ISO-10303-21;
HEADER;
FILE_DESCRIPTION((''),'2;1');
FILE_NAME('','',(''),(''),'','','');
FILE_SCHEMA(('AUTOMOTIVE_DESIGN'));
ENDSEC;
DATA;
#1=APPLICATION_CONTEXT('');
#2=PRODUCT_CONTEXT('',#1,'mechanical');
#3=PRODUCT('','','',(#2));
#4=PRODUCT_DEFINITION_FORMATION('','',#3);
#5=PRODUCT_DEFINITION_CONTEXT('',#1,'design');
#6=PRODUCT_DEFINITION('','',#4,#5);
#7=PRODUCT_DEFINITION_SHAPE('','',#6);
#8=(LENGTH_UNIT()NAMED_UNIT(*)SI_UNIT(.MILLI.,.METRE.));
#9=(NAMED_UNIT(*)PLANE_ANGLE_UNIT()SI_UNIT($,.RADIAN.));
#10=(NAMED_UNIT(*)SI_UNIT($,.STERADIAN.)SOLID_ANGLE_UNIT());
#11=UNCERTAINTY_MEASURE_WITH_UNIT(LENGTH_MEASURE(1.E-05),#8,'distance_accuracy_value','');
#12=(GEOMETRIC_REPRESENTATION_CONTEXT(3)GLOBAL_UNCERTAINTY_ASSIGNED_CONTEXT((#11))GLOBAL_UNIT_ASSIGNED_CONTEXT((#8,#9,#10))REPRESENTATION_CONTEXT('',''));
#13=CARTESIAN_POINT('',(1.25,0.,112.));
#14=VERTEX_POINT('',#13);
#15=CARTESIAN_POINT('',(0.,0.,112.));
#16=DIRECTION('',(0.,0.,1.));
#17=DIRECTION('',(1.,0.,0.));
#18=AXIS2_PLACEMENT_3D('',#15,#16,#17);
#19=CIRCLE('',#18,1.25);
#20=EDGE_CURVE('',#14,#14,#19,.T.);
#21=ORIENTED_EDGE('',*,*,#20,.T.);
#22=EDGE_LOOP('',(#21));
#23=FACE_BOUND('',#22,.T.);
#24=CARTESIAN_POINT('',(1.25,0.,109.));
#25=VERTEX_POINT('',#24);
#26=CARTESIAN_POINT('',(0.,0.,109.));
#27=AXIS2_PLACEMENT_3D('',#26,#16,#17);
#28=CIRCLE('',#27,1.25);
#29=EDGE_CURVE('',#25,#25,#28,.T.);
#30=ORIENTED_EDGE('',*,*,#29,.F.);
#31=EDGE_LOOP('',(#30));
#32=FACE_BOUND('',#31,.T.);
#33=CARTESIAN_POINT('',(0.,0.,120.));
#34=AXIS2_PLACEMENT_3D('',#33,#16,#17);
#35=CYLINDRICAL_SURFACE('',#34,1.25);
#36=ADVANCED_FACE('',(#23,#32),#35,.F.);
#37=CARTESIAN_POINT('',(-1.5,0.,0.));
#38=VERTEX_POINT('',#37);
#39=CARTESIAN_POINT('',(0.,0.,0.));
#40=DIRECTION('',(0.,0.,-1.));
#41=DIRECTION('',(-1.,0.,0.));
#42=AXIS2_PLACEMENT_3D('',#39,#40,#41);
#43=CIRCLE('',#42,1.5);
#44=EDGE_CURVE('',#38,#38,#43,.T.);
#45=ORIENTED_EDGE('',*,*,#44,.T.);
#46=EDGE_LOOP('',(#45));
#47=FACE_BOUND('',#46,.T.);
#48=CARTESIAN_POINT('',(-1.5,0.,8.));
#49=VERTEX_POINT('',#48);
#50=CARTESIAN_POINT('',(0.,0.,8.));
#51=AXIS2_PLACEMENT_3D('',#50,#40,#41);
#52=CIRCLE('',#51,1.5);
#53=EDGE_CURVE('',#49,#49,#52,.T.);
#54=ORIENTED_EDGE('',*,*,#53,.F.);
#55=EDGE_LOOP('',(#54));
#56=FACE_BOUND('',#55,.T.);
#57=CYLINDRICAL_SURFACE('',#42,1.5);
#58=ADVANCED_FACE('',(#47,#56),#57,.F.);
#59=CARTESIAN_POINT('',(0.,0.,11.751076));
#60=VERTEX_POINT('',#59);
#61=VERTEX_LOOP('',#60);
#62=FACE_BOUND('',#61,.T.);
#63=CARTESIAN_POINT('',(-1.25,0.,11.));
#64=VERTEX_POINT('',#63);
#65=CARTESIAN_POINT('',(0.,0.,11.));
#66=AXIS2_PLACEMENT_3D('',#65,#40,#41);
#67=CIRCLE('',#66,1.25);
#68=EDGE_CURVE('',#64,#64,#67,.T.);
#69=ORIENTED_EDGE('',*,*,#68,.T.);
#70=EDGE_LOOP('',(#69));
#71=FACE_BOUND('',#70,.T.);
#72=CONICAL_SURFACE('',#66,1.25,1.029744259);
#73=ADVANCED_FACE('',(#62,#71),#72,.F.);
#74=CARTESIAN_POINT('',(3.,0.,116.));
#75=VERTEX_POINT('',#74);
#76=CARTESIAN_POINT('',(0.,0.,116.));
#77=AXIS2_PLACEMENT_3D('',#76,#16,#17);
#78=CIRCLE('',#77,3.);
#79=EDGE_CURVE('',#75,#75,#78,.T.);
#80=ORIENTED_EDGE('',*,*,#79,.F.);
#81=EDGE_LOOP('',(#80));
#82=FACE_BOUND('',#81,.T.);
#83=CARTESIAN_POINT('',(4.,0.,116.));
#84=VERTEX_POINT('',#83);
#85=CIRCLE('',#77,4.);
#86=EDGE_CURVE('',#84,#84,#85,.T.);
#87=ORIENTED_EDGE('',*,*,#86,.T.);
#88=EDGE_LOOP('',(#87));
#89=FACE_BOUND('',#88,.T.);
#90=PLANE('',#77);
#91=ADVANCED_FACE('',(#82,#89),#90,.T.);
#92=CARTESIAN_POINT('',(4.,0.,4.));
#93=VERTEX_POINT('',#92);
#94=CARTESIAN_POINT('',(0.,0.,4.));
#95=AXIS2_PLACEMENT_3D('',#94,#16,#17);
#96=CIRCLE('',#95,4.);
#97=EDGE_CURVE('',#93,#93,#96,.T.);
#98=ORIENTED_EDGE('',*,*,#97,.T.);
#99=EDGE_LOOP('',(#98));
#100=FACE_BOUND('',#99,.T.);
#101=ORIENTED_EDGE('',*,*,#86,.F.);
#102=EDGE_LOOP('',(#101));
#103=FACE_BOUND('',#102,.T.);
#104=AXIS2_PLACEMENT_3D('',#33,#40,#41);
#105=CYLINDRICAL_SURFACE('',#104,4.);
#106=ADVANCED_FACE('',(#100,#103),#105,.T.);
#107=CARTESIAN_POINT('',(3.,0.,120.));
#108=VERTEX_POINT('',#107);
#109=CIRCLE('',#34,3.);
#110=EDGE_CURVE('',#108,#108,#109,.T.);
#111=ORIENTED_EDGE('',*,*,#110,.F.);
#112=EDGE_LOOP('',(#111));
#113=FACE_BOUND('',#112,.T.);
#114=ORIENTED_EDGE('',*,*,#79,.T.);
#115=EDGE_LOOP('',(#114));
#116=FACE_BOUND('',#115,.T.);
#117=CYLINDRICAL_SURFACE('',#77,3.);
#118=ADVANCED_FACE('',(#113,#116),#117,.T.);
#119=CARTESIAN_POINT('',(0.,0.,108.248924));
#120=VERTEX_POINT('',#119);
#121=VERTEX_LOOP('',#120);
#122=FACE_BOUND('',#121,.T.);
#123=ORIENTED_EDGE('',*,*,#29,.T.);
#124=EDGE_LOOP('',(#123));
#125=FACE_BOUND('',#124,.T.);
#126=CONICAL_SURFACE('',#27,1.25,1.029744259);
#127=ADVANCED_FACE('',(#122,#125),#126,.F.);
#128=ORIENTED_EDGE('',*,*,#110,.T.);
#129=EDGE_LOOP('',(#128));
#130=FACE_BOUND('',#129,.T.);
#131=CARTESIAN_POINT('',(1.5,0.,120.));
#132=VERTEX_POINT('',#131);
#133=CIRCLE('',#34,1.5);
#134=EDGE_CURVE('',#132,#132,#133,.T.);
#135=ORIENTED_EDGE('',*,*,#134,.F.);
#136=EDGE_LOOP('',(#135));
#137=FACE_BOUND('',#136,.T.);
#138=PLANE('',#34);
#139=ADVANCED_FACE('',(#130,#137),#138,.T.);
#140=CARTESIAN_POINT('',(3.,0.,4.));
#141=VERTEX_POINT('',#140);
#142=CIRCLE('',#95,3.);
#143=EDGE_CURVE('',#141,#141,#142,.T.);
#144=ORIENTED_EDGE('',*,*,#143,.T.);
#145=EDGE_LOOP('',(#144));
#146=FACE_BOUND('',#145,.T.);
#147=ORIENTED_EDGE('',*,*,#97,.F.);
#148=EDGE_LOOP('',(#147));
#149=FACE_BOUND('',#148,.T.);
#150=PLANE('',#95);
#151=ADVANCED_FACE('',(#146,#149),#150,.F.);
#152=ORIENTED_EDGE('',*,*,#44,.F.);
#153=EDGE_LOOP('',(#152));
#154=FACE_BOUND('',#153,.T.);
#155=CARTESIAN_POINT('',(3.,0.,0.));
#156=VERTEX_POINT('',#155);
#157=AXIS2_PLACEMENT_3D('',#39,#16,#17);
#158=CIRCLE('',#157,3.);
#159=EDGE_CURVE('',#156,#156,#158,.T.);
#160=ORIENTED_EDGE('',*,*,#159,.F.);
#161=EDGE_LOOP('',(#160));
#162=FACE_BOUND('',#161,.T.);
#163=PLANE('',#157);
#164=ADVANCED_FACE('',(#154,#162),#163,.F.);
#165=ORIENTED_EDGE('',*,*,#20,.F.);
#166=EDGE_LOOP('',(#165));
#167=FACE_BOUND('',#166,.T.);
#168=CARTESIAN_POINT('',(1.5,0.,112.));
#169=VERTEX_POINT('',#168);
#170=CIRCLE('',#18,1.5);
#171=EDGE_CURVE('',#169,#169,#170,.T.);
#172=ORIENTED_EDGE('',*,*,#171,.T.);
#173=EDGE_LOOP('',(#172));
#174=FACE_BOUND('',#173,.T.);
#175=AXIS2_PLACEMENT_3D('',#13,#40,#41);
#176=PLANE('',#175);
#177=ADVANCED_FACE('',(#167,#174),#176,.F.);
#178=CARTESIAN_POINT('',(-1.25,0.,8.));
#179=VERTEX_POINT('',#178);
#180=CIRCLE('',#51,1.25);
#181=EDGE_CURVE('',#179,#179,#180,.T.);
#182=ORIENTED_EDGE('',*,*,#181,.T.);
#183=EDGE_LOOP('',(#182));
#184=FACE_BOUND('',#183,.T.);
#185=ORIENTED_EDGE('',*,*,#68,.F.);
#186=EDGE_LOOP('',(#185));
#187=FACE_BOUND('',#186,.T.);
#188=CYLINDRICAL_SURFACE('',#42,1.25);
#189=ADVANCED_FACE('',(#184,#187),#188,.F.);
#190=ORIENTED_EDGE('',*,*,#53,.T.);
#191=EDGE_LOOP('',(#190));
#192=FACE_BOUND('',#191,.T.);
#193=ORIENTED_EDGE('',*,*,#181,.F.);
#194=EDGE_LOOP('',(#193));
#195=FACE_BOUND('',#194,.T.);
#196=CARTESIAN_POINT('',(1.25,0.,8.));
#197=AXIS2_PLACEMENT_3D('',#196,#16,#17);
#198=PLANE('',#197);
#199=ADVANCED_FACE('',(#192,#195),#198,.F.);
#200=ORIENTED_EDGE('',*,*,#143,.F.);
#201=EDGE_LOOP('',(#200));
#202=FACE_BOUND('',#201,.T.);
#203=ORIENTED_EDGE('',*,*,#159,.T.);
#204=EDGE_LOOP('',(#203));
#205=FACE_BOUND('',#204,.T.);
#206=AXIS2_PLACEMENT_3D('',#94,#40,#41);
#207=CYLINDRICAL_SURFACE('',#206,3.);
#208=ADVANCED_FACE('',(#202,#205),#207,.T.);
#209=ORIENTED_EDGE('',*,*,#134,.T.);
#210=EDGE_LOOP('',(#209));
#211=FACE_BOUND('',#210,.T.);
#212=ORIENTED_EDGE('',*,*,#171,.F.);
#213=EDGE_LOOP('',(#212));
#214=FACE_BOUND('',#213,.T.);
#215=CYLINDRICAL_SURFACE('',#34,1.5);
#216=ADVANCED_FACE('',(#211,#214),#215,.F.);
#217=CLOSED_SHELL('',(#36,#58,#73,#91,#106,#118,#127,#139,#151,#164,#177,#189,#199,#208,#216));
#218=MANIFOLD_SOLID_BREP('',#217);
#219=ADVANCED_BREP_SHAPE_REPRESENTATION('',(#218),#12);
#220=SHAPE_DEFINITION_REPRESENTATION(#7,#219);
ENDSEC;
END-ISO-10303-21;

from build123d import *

# Parameters (mm, degrees)
ESQUISSE1_R             = 4
BASE_EXTRUSION_DEPTH    = 120
ESQUISSE2_R             = 4
ESQUISSE2_R_2           = 3
ENL_V_MAT_EXTRU_1_DEPTH = 4
ENL_V_START             = -4
ESQUISSE3_R             = 4
ESQUISSE3_R_2           = 3
ENL_V_MAT_EXTRU_2_DEPTH = 4
PER_AGE1_D              = 2.5
PER_AGE1_DEPTH          = 11
PER_AGE1_CBORE_D        = 3
PER_AGE1_CBORE_DEPTH    = 8
PER_AGE1_TIP            = 0.751075774
PER_AGE2_D              = 2.5
PER_AGE2_DEPTH          = 11
PER_AGE2_CBORE_D        = 3
PER_AGE2_CBORE_DEPTH    = 8
PER_AGE2_TIP            = 0.751075774


with BuildPart() as part:
    # Esquisse1 → Base-Extrusion (new body)
    with BuildSketch(Plane.XY):
        Circle(ESQUISSE1_R)
    extrude(amount=BASE_EXTRUSION_DEPTH)

    # Esquisse2 → Enlèv. mat.-Extru.1 (cut)
    with BuildSketch(Plane.XY):
        Circle(ESQUISSE2_R)
        Circle(ESQUISSE2_R_2, mode=Mode.SUBTRACT)
    extrude(amount=ENL_V_MAT_EXTRU_1_DEPTH, mode=Mode.SUBTRACT)

    # Esquisse3 → Enlèv. mat.-Extru.2 (cut)
    with BuildSketch(Plane.XY.offset(120).offset(ENL_V_START)):
        Circle(ESQUISSE3_R)
        Circle(ESQUISSE3_R_2, mode=Mode.SUBTRACT)
    extrude(amount=ENL_V_MAT_EXTRU_2_DEPTH, mode=Mode.SUBTRACT)

    # Perçage1
    with Locations(Plane.XY.offset(120)):
        with Locations((0, 0)):
            CounterBoreHole(PER_AGE1_D / 2, PER_AGE1_CBORE_D / 2, PER_AGE1_CBORE_DEPTH, depth=PER_AGE1_DEPTH)
            with Locations((0, 0, -(PER_AGE1_DEPTH + PER_AGE1_TIP / 2))):  # 118° drill point
                Cone(0, PER_AGE1_D / 2, PER_AGE1_TIP, mode=Mode.SUBTRACT)

    # Perçage2
    with Locations(Plane(origin=(0, 0, 0), x_dir=(-1, 0, 0), z_dir=(0, 0, -1))):
        with Locations((0, 0)):
            CounterBoreHole(PER_AGE2_D / 2, PER_AGE2_CBORE_D / 2, PER_AGE2_CBORE_DEPTH, depth=PER_AGE2_DEPTH)
            with Locations((0, 0, -(PER_AGE2_DEPTH + PER_AGE2_TIP / 2))):  # 118° drill point
                Cone(0, PER_AGE2_D / 2, PER_AGE2_TIP, mode=Mode.SUBTRACT)


solid = part.part
